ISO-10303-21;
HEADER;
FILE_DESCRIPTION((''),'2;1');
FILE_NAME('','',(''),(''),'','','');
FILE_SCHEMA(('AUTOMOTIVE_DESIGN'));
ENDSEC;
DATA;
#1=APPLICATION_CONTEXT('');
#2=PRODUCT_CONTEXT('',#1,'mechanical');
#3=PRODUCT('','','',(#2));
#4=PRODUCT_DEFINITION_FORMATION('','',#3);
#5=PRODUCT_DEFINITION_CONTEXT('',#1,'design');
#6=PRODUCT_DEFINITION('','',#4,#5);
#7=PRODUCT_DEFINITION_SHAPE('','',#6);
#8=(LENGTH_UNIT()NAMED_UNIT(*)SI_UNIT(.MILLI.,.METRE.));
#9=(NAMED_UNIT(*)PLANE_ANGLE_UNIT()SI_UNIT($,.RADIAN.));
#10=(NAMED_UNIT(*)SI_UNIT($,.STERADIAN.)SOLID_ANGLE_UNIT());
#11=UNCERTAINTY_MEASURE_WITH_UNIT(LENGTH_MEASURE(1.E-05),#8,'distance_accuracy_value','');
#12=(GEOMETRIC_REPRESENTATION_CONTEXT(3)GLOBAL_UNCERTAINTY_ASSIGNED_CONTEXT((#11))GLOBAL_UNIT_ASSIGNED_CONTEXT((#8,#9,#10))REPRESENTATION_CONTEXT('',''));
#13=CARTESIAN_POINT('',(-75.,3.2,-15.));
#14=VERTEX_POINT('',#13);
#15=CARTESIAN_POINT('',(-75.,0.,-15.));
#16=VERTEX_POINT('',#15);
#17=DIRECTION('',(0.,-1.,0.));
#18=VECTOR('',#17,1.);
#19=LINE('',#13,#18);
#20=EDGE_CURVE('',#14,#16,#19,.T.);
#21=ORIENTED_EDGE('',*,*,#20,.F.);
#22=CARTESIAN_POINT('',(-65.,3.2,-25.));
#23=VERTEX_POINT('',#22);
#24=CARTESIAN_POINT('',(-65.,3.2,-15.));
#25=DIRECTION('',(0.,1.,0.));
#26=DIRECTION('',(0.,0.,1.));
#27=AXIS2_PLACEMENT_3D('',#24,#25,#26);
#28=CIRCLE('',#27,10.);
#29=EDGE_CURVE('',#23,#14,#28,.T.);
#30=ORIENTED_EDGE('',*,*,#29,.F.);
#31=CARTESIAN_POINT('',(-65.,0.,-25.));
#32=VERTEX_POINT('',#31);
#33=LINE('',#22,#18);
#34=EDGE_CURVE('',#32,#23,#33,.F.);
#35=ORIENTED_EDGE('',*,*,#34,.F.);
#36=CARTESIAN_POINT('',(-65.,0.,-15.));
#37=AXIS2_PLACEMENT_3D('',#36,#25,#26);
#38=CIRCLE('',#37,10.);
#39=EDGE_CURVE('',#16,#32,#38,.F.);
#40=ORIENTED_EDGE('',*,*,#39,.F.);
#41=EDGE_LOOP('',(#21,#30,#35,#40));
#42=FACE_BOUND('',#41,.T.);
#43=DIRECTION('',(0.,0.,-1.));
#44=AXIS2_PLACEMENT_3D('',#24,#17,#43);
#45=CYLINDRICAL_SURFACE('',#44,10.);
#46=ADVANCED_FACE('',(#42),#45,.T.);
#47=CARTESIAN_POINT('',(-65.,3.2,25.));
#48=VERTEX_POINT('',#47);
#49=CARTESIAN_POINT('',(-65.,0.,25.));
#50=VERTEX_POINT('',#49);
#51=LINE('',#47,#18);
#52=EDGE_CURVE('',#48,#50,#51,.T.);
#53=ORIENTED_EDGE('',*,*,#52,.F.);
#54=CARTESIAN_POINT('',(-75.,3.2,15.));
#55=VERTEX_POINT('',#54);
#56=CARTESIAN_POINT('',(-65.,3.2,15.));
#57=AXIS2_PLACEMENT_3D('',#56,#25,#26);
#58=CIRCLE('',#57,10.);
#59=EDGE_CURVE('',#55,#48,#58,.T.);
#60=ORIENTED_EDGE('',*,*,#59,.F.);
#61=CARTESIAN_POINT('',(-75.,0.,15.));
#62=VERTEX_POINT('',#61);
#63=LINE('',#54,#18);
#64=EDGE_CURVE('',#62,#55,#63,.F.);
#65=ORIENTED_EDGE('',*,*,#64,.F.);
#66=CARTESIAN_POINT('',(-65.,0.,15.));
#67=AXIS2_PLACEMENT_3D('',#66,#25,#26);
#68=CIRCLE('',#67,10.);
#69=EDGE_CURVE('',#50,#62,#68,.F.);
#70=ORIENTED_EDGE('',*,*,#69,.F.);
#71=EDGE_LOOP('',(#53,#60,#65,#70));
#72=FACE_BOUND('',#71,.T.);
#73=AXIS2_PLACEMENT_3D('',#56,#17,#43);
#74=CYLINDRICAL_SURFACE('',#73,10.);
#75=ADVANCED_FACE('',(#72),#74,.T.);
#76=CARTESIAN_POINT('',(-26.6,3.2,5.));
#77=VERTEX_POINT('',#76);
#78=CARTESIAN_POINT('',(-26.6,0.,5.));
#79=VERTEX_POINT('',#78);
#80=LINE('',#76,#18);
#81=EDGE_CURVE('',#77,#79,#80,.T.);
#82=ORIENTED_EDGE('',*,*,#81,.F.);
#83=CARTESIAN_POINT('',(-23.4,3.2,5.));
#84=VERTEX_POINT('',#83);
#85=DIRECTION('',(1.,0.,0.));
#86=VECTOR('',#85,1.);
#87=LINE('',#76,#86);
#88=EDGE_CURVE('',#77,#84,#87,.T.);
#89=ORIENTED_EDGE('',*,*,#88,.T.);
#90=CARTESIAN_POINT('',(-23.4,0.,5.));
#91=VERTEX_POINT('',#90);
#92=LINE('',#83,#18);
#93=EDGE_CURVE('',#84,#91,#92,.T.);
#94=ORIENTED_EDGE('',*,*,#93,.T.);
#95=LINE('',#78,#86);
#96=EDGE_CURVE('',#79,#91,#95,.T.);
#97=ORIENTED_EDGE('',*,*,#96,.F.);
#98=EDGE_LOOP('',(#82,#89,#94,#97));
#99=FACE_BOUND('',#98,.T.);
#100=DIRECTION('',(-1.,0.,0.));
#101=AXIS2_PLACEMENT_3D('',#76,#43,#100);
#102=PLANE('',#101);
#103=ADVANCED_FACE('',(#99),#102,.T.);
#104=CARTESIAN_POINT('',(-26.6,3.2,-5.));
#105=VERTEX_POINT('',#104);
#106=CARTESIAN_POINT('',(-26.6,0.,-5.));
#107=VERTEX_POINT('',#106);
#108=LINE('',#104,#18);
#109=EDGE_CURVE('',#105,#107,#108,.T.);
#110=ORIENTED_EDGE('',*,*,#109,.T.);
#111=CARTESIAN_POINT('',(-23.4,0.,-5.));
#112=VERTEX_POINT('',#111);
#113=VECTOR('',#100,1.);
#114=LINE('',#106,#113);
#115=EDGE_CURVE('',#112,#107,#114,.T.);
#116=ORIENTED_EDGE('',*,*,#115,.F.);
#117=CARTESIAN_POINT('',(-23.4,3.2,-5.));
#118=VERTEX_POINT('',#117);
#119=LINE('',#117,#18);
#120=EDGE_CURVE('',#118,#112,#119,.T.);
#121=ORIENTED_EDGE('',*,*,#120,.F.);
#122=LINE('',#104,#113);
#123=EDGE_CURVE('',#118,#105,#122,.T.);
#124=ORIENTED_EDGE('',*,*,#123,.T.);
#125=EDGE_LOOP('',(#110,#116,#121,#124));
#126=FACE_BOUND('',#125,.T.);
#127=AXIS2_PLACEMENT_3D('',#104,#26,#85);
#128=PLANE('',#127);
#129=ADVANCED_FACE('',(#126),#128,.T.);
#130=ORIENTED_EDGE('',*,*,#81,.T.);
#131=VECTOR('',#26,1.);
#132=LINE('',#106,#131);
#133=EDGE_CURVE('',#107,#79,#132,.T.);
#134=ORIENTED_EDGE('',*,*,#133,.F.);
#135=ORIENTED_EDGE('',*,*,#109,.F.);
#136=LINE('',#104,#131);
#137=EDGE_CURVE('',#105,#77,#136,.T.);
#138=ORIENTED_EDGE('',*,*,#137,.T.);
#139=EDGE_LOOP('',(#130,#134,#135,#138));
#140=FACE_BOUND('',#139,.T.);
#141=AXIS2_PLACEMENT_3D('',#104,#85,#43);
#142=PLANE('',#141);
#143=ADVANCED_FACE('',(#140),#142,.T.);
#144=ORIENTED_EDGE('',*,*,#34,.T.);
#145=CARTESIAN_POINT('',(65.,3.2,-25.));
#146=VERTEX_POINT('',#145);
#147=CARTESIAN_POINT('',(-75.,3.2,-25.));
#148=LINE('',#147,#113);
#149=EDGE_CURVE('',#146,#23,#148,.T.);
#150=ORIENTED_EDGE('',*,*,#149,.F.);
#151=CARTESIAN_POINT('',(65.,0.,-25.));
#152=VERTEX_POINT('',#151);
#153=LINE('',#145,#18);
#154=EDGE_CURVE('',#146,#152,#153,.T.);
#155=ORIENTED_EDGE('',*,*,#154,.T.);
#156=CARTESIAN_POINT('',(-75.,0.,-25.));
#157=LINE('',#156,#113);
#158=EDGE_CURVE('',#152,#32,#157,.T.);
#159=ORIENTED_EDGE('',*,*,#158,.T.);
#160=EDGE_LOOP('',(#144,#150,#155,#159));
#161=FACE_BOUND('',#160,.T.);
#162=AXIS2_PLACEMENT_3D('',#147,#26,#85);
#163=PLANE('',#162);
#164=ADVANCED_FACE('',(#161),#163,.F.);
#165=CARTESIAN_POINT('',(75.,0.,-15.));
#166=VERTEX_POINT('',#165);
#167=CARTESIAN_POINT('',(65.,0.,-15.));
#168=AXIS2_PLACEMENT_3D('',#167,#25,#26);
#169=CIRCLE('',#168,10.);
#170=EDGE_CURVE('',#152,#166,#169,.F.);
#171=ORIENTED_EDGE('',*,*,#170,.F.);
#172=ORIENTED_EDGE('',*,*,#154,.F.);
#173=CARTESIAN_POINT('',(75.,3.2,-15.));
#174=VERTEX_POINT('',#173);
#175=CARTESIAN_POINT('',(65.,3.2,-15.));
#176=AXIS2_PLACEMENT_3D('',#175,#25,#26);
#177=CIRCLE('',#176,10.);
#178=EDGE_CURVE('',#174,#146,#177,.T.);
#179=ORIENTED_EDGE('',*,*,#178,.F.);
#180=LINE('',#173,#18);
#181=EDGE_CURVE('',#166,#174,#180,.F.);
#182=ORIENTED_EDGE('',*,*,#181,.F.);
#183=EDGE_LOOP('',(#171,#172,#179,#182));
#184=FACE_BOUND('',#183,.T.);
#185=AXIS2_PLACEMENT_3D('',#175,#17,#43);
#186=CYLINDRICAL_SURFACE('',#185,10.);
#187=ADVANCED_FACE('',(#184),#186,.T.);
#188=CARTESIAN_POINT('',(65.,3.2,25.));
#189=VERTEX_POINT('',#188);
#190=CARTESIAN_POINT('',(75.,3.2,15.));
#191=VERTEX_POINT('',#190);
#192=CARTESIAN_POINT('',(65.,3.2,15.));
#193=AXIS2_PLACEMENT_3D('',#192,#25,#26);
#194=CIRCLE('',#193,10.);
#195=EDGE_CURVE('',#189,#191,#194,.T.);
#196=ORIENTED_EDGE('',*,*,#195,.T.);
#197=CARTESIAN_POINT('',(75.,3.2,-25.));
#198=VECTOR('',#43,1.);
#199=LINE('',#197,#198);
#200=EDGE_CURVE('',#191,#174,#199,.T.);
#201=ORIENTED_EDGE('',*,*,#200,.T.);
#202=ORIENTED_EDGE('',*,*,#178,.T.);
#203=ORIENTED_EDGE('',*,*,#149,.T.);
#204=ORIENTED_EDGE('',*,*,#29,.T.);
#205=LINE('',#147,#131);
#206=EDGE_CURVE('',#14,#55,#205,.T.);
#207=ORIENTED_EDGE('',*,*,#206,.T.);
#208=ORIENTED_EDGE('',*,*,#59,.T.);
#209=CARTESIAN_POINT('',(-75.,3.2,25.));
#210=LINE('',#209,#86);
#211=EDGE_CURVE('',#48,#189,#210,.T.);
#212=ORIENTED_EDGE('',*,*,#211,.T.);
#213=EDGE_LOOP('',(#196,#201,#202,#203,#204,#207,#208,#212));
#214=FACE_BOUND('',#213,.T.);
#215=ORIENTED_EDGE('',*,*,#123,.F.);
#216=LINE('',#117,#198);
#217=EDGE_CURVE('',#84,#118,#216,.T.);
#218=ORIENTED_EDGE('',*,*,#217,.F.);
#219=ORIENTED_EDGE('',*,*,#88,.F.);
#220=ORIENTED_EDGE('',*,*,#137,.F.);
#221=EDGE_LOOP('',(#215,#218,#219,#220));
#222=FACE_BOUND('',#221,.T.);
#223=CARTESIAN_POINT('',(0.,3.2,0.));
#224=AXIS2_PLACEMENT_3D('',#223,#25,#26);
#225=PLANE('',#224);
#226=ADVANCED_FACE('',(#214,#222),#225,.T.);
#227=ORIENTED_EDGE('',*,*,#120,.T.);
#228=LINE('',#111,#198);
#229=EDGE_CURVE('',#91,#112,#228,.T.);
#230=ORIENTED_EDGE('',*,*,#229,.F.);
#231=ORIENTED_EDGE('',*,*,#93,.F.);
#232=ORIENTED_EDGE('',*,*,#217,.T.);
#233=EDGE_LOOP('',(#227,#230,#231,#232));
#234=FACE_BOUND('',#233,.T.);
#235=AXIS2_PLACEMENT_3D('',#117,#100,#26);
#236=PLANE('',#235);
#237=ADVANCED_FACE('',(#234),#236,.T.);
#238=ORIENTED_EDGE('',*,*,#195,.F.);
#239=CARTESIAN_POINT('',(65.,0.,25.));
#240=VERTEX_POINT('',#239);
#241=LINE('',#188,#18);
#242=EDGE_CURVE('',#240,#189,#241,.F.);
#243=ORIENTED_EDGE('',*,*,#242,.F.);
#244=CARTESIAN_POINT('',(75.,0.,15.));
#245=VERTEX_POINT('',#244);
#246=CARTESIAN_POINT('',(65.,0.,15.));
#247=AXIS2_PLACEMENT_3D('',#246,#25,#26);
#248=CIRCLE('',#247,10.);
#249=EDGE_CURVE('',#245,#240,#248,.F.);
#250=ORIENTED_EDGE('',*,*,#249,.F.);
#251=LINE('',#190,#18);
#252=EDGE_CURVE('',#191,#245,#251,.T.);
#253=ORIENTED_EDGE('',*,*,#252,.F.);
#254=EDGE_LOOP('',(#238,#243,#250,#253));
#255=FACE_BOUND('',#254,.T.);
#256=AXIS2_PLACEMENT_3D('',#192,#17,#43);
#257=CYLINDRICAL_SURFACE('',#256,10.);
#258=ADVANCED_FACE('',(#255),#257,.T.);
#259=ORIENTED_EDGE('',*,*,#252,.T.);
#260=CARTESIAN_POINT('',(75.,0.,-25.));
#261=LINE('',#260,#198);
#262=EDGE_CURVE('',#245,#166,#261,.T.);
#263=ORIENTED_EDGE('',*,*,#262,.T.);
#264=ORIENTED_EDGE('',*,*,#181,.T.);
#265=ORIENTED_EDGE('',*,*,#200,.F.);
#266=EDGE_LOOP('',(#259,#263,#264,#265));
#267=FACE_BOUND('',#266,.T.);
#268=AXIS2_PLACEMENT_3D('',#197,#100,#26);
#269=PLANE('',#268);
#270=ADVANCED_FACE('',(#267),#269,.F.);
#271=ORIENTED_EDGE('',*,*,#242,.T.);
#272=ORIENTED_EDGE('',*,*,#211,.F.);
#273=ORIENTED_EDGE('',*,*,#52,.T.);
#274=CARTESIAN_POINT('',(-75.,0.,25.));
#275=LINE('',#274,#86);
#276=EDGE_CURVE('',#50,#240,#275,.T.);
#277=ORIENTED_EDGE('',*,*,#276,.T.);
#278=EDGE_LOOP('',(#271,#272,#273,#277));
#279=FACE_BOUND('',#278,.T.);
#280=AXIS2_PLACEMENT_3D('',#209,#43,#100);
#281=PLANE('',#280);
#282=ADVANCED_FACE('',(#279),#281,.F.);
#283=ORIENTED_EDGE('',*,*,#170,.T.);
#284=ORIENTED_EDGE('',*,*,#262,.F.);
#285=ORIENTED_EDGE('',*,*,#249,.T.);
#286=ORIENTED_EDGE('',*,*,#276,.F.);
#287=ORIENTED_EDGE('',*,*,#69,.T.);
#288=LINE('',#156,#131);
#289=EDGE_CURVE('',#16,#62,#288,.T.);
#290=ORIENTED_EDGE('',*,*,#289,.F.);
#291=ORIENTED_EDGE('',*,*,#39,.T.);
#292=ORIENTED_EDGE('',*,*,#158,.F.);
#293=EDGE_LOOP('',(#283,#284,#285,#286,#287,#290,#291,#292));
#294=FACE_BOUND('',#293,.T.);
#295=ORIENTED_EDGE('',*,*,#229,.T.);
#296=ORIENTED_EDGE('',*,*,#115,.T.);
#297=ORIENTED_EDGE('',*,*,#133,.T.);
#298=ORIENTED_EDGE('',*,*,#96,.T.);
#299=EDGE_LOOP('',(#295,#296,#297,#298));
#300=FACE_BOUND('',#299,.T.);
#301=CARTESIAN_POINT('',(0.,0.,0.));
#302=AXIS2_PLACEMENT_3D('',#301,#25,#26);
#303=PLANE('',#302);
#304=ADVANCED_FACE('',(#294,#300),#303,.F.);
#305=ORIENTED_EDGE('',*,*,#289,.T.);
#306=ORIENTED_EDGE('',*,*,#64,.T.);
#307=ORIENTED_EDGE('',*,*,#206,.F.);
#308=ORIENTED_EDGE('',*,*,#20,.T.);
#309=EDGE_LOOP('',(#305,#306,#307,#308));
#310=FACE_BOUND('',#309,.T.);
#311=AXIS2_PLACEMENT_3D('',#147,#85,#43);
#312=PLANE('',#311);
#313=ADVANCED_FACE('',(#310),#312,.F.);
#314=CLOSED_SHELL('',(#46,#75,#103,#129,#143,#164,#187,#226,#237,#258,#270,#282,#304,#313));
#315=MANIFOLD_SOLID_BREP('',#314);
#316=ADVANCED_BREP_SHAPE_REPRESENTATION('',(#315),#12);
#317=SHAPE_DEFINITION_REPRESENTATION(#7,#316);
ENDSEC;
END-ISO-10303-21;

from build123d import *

# Parameters (mm, degrees)
BASE_SKETCH_W       = 150
BASE_SKETCH_H       = 50
BASE_SKETCH_W_2     = 3.2
BASE_SKETCH_H_2     = 10
BOSS_EXTRUDE1_DEPTH = 3.2
FILLET1_R           = 10


with BuildPart() as part:
    # Base_Sketch → Boss-Extrude1 (new body)
    with BuildSketch(Plane(origin=(0, 0, 0), x_dir=(1, 0, 0), z_dir=(0, 1, 0))):
        Rectangle(BASE_SKETCH_W, BASE_SKETCH_H)
        with Locations((-25, 0)):
            Rectangle(BASE_SKETCH_W_2, BASE_SKETCH_H_2, mode=Mode.SUBTRACT)
    extrude(amount=BOSS_EXTRUDE1_DEPTH)

    # Fillet1
    fillet1_edges = [part.edges().sort_by_distance(p)[0] for p in [
        (75, 1.6, 25),
        (-75, 1.6, 25),
        (-75, 1.6, -25),
        (75, 1.6, -25),
    ]]
    fillet(fillet1_edges, radius=FILLET1_R)


solid = part.part
